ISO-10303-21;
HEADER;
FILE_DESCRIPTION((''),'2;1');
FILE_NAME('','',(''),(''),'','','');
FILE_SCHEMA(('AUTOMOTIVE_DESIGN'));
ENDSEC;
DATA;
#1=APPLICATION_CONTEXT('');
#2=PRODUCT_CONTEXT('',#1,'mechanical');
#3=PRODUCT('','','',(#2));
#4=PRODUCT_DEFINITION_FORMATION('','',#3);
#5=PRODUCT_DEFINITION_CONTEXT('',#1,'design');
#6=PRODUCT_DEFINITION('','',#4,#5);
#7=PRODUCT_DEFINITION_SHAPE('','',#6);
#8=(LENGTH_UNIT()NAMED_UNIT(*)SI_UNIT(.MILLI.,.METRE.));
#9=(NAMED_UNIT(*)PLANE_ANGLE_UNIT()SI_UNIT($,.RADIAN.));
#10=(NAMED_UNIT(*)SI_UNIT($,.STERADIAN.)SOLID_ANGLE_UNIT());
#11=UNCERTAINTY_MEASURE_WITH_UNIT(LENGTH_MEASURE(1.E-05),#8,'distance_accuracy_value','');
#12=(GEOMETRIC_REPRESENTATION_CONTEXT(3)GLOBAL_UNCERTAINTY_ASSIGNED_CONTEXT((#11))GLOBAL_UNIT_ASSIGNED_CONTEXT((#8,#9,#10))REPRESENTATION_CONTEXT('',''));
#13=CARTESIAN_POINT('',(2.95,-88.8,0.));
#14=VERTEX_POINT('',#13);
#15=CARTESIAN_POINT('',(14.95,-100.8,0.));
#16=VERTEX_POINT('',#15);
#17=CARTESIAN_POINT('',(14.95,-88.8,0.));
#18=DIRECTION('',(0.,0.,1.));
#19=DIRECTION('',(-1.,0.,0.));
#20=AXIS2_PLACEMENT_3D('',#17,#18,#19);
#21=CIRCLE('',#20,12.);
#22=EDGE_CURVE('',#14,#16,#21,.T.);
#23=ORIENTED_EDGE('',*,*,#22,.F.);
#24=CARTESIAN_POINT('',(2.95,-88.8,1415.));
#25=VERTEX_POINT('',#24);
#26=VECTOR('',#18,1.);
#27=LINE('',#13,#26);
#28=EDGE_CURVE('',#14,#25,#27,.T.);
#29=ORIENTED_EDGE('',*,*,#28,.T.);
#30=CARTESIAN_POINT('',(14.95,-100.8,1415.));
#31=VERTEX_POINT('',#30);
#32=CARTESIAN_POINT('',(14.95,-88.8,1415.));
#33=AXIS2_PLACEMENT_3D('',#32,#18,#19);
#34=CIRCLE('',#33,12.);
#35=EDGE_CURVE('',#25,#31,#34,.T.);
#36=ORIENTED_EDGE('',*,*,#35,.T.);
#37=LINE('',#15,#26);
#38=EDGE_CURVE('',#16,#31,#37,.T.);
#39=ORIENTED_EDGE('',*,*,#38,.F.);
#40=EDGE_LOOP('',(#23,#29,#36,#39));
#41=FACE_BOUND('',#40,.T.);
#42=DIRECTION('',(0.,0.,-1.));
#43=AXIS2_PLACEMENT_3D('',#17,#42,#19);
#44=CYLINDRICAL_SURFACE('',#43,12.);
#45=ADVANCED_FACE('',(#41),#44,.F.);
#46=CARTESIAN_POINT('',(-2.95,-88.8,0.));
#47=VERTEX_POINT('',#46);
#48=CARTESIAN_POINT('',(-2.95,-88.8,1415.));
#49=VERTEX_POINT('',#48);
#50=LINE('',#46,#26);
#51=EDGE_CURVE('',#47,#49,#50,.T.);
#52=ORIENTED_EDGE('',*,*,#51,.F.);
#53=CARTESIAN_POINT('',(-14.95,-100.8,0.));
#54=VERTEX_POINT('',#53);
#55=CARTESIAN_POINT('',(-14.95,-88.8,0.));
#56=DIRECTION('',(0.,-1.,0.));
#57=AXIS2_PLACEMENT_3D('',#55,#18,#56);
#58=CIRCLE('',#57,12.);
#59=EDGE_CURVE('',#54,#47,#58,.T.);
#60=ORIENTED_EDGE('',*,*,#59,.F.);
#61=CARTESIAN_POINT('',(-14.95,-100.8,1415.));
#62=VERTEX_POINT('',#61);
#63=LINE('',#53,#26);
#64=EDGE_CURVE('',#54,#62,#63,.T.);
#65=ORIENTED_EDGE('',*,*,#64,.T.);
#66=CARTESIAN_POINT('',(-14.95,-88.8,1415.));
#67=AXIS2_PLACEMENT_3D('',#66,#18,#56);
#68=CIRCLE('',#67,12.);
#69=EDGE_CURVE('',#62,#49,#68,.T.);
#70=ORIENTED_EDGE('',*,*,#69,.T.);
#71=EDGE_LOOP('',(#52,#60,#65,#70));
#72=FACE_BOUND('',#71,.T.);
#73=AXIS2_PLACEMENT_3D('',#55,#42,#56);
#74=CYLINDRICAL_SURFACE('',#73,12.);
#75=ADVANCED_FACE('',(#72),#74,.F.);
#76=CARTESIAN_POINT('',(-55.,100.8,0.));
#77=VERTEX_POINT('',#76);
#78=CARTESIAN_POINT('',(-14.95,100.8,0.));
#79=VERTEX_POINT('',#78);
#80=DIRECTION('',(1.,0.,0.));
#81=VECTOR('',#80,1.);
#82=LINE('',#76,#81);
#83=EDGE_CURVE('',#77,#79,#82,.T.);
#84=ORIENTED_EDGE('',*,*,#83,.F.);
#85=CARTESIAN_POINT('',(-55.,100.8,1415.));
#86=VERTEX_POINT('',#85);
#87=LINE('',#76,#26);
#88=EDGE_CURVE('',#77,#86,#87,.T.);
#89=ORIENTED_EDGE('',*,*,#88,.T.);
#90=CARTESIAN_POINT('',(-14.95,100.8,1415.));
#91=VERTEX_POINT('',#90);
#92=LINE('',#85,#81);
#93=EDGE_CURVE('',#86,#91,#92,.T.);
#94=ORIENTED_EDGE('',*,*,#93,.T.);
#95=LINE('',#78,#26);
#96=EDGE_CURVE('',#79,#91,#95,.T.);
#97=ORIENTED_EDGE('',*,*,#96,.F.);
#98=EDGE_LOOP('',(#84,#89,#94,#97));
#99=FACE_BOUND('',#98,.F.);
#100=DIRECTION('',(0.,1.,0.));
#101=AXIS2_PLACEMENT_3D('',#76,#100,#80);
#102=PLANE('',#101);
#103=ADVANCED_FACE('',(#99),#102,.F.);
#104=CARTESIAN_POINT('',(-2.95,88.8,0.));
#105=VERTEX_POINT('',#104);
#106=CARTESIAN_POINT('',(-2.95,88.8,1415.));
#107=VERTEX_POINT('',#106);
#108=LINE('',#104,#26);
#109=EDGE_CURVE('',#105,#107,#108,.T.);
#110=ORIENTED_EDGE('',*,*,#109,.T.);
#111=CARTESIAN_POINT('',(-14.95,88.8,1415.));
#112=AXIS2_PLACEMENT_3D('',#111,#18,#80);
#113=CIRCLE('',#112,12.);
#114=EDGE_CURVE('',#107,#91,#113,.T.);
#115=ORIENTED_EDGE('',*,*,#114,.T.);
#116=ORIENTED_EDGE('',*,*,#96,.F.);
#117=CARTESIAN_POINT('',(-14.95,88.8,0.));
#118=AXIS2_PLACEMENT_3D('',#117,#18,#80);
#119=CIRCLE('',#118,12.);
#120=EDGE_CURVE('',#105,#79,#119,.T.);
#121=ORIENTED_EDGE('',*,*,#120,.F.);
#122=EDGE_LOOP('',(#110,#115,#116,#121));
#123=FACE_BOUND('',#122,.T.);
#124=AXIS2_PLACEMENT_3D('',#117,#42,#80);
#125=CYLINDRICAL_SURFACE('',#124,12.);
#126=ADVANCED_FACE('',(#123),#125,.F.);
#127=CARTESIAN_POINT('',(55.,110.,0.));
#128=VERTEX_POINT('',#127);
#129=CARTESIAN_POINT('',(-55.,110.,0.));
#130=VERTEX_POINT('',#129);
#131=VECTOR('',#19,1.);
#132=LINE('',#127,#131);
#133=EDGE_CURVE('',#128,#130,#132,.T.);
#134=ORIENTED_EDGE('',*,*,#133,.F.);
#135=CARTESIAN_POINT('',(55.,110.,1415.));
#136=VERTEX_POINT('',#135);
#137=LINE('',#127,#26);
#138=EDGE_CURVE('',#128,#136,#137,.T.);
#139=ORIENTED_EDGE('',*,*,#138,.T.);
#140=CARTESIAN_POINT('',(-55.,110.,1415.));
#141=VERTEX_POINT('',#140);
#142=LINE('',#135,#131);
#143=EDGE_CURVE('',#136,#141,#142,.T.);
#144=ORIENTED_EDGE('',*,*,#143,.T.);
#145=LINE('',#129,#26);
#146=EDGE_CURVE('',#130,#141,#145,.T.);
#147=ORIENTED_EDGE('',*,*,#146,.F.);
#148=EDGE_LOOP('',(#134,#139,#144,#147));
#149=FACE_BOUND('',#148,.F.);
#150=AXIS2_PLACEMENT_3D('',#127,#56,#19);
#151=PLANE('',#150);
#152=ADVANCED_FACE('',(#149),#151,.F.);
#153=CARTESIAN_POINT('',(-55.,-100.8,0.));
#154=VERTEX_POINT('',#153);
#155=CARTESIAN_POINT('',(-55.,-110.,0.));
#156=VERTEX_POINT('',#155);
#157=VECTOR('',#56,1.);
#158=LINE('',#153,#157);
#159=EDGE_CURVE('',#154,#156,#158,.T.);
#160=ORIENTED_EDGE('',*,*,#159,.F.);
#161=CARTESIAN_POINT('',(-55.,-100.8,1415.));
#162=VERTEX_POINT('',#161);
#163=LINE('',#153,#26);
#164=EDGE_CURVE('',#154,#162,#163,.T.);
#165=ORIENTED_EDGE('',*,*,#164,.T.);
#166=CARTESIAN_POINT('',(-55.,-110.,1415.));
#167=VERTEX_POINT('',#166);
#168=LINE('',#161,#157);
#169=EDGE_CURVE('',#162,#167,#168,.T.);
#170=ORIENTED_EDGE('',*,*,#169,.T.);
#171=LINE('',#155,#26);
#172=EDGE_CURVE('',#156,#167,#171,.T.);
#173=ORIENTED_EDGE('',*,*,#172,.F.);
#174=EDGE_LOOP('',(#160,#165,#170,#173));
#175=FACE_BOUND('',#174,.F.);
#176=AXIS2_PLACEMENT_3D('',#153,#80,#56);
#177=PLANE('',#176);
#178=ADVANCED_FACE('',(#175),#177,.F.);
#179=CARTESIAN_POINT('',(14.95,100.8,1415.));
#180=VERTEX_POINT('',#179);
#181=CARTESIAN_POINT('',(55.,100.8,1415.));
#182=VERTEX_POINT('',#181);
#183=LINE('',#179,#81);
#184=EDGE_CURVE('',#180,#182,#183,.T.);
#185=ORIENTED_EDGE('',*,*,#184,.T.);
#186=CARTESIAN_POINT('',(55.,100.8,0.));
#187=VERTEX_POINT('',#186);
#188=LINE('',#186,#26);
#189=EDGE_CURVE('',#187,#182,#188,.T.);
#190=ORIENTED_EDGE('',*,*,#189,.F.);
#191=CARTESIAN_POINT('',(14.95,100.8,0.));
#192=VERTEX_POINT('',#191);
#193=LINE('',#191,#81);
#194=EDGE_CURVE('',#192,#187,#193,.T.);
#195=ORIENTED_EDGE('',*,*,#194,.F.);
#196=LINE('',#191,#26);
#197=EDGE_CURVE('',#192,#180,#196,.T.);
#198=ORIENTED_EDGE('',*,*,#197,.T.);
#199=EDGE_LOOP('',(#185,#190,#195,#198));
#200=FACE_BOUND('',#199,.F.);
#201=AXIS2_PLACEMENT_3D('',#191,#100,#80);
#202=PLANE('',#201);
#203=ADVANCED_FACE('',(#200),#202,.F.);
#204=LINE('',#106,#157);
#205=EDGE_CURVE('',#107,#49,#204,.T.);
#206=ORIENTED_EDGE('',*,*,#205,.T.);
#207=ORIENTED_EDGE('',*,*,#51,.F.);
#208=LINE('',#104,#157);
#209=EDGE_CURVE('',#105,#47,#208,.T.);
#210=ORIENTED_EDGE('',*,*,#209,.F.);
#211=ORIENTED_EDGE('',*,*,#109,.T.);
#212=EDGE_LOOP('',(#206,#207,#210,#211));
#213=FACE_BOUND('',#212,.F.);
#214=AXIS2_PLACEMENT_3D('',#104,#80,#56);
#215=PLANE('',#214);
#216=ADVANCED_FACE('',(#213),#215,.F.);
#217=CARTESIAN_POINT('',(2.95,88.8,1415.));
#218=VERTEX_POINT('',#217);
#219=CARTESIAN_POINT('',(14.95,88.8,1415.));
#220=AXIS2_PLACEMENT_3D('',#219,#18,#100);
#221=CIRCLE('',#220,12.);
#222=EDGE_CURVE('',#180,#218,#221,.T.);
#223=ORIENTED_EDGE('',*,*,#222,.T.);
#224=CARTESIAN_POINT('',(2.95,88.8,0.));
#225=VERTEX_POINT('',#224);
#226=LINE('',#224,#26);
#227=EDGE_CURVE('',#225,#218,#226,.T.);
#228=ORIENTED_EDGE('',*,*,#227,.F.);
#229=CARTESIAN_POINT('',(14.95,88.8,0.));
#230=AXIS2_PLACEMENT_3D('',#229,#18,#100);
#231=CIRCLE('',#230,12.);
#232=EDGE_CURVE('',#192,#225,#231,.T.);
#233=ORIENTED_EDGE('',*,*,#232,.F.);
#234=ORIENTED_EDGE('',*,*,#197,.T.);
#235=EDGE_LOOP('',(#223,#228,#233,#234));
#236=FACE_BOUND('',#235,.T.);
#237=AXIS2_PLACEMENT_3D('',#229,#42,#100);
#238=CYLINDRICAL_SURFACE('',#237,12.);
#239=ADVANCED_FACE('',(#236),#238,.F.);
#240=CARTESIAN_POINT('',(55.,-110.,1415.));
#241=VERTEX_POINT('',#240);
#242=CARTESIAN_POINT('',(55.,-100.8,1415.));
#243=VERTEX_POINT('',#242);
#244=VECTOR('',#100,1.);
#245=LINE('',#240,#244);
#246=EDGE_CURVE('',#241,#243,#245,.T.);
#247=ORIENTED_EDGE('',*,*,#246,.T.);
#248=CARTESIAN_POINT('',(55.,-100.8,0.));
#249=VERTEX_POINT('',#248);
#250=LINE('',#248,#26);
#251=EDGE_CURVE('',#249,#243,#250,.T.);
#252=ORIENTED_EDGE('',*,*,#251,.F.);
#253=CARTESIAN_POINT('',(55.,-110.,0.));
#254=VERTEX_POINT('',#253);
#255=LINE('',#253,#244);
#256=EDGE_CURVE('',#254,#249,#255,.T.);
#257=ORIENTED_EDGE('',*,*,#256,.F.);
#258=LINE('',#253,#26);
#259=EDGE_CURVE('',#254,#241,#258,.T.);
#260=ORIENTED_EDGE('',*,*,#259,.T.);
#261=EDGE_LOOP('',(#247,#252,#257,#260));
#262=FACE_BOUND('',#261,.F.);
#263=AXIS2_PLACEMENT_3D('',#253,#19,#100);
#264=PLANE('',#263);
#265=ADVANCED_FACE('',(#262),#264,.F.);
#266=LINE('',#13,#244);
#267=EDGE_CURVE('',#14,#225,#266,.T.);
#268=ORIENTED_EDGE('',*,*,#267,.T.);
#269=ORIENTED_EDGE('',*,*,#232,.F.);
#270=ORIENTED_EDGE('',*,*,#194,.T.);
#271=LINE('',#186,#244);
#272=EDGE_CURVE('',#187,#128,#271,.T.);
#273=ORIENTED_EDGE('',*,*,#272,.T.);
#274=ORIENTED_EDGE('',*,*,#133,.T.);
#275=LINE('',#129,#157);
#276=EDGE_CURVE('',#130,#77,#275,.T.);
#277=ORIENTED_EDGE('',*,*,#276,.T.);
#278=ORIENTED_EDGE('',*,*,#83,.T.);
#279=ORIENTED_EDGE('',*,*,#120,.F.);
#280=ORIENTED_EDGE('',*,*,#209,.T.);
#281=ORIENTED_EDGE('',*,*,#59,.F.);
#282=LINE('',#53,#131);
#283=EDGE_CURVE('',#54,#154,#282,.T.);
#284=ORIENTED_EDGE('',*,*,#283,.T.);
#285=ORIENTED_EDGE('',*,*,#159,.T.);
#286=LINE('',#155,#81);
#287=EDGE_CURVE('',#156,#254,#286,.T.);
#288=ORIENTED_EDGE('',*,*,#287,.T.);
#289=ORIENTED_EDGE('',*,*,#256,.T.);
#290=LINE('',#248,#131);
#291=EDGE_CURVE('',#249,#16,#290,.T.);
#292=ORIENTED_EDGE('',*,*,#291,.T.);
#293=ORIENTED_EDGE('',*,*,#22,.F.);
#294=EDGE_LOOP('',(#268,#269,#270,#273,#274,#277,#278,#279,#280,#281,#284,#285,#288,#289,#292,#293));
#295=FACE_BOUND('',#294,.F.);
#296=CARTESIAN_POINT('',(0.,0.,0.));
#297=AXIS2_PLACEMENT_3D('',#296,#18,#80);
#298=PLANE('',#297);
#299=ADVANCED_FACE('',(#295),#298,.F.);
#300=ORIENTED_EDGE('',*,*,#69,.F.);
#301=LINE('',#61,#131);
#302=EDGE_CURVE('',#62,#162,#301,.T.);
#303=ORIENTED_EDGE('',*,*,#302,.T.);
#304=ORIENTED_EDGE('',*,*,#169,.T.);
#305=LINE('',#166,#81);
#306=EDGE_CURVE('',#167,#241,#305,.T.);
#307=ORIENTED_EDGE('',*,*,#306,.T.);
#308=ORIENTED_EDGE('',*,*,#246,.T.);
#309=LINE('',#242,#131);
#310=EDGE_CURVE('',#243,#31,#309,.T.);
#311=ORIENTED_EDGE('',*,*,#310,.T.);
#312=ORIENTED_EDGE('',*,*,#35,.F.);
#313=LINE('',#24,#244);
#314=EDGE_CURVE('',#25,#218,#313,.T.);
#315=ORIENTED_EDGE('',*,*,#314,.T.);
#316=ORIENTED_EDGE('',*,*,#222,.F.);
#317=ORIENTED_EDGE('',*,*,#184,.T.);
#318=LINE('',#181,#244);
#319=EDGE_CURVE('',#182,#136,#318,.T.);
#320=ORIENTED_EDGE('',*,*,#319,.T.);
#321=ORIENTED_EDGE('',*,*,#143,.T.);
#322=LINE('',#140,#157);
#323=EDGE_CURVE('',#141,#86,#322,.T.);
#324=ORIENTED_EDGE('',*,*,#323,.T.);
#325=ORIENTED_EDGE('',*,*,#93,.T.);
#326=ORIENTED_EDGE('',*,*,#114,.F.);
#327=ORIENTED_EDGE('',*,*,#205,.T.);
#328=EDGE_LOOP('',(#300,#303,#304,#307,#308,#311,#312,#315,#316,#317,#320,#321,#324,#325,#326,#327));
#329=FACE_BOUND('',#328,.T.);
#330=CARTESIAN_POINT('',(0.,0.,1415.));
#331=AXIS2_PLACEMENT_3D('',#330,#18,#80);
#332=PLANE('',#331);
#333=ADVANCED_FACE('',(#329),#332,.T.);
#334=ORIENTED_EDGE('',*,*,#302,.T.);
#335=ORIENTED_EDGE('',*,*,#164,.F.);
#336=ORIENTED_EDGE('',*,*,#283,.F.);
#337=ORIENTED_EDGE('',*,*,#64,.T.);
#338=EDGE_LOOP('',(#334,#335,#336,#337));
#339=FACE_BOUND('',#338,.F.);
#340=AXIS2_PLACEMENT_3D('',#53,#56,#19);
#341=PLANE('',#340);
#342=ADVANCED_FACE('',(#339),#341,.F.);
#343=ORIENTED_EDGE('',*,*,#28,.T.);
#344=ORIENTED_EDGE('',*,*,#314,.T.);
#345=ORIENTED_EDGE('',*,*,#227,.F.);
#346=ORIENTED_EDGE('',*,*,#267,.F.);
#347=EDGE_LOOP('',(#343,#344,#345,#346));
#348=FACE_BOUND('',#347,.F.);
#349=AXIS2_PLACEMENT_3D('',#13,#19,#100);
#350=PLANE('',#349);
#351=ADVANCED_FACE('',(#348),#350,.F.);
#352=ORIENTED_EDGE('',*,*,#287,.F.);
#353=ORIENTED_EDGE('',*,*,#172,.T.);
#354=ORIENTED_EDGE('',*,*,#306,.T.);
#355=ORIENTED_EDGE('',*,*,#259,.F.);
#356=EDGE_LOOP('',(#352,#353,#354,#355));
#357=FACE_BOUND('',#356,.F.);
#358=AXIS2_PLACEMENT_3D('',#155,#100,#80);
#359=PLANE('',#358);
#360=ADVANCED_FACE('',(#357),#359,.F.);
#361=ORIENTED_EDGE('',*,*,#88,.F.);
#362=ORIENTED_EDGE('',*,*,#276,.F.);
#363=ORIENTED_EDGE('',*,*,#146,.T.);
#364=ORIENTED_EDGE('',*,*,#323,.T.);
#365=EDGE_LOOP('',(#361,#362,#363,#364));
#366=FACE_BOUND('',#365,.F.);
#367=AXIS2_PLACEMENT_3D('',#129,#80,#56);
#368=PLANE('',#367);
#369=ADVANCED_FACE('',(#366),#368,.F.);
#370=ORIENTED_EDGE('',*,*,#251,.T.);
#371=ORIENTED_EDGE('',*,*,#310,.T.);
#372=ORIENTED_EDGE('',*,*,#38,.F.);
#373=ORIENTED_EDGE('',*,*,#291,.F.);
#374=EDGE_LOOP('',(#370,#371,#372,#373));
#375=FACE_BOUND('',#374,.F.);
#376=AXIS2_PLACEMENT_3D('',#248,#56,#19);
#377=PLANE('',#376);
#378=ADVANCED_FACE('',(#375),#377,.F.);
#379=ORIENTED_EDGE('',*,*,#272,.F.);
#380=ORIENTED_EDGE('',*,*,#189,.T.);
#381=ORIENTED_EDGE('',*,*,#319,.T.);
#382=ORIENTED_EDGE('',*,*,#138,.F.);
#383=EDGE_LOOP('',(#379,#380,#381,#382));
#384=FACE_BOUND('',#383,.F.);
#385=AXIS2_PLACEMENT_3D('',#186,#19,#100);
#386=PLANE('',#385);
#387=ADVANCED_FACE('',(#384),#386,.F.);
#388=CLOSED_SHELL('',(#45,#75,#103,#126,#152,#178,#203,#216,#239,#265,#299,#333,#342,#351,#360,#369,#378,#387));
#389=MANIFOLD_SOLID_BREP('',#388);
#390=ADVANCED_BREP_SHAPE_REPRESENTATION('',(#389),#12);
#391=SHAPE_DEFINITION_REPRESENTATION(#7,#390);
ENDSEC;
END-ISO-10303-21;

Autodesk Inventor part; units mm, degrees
ref_plane "Start plane" through (0, 0, 0) normal (0, 0, 1) x (1, 0, 0)
ref_plane "End plane" through (0, 0, 1415) normal (0, 0, 1) x (1, 0, 0)
sketch "Sketch2" plane through (0, 0, 0) normal (0, 0, 1) x (1, 0, 0)
  line L0 (-55, 100.8) -> (-14.95, 100.8)
  line L1 (-55, 110) -> (-55, 100.8)
  line L2 (55, 110) -> (-55, 110)
  line L3 (55, 100.8) -> (55, 110)
  line L4 (14.95, 100.8) -> (55, 100.8)
  line L5 (2.95, -88.8) -> (2.95, 88.8)
  line L6 (55, -100.8) -> (14.95, -100.8)
  line L7 (55, -110) -> (55, -100.8)
  line L8 (-55, -100.8) -> (-55, -110)
  line L9 (-14.95, -100.8) -> (-55, -100.8)
  line L10 (-2.95, 88.8) -> (-2.95, -88.8)
  line L11 (0, -154) -> (0, 154) construction
  line L12 (-2.95, -100.8) -> (2.95, -100.8) construction
  arc A0 (-14.95, -100.8) -> (-2.95, -88.8) centre (-14.95, -88.8) ccw
  arc A1 (-2.95, 88.8) -> (-14.95, 100.8) centre (-14.95, 88.8) ccw
  arc A2 (14.95, 100.8) -> (2.95, 88.8) centre (14.95, 88.8) ccw
  arc A3 (2.95, -88.8) -> (14.95, -100.8) centre (14.95, -88.8) ccw
  line L13 (-77, 0) -> (77, 0) construction
  line L14 (-55, -110) -> (55, -110)
  point P0 (-2.95, 100.8)
  point P1 (2.95, 100.8)
  point P2 (0, 0)
  point P3 (0, -100.8)
  point P4 (0, 0)
  dimension "d1" = 220
  dimension "d3" = 9.2
  dimension "d5" = 5.9
  dimension "d7" = 110
  dimension "d13" = 12
  dimension "d14" = 110
  dimension "d15" = 55
extrude "Body" add sketch "Sketch2" along normal up to surface (1415 mm away) from surface at 0
sketch "Sketch3" plane through (0, 0, 0) normal (0, 0, 1) x (1, 0, 0)
  line L0 (0, 0) -> (10, 0)
ref_plane "Work Plane3" through (0, 0, 0) normal (0, -1, 0) x (1, 0, 0)
ref_plane "Work Plane4" through (0, 0, 1415) normal (0, 0, 1) x (1, 0, 0)
split "Split1" plane through (0, 0, 1415) removes the side toward (0, 0, 1)
sketch "Sketch4" plane through (0, 0, 0) normal (0, -1, 0) x (1, 0, 0)
  line L0 (-2, 0) -> (12, 0) projected
  line L1 (-2, 1415) -> (12, 1415) projected
  dimension "d19" = 1415
equation "\"d1\" = ParH"
equation "\"d3\" = t2"
equation "\"d5\" = t1"
equation "\"d7\" = b"
equation "\"d13\" = R1"
equation "\"d14\" = 0.5 * d1"
equation "\"d15\" = 0.5 * d7"
equation "\"d8\" = G_L"
equation "\"b\" = 110"
equation "\"ParH\" = 220"
equation "\"R1\" = 12"
equation "\"G_L\" = d19"
equation "\"t1\" = 5.9"
equation "\"t2\" = 9.2"
equation "\"G_OFFSET_START\" = 0"
equation "\"G_OFFSET_END\" = -85"
equation "\"d17\" = G_OFFSET_END + B_L"
equation "\"B_L\" = 1500"
properties part number "DIN 1025 - IPE 220-1415" material "Steel, Mild"
